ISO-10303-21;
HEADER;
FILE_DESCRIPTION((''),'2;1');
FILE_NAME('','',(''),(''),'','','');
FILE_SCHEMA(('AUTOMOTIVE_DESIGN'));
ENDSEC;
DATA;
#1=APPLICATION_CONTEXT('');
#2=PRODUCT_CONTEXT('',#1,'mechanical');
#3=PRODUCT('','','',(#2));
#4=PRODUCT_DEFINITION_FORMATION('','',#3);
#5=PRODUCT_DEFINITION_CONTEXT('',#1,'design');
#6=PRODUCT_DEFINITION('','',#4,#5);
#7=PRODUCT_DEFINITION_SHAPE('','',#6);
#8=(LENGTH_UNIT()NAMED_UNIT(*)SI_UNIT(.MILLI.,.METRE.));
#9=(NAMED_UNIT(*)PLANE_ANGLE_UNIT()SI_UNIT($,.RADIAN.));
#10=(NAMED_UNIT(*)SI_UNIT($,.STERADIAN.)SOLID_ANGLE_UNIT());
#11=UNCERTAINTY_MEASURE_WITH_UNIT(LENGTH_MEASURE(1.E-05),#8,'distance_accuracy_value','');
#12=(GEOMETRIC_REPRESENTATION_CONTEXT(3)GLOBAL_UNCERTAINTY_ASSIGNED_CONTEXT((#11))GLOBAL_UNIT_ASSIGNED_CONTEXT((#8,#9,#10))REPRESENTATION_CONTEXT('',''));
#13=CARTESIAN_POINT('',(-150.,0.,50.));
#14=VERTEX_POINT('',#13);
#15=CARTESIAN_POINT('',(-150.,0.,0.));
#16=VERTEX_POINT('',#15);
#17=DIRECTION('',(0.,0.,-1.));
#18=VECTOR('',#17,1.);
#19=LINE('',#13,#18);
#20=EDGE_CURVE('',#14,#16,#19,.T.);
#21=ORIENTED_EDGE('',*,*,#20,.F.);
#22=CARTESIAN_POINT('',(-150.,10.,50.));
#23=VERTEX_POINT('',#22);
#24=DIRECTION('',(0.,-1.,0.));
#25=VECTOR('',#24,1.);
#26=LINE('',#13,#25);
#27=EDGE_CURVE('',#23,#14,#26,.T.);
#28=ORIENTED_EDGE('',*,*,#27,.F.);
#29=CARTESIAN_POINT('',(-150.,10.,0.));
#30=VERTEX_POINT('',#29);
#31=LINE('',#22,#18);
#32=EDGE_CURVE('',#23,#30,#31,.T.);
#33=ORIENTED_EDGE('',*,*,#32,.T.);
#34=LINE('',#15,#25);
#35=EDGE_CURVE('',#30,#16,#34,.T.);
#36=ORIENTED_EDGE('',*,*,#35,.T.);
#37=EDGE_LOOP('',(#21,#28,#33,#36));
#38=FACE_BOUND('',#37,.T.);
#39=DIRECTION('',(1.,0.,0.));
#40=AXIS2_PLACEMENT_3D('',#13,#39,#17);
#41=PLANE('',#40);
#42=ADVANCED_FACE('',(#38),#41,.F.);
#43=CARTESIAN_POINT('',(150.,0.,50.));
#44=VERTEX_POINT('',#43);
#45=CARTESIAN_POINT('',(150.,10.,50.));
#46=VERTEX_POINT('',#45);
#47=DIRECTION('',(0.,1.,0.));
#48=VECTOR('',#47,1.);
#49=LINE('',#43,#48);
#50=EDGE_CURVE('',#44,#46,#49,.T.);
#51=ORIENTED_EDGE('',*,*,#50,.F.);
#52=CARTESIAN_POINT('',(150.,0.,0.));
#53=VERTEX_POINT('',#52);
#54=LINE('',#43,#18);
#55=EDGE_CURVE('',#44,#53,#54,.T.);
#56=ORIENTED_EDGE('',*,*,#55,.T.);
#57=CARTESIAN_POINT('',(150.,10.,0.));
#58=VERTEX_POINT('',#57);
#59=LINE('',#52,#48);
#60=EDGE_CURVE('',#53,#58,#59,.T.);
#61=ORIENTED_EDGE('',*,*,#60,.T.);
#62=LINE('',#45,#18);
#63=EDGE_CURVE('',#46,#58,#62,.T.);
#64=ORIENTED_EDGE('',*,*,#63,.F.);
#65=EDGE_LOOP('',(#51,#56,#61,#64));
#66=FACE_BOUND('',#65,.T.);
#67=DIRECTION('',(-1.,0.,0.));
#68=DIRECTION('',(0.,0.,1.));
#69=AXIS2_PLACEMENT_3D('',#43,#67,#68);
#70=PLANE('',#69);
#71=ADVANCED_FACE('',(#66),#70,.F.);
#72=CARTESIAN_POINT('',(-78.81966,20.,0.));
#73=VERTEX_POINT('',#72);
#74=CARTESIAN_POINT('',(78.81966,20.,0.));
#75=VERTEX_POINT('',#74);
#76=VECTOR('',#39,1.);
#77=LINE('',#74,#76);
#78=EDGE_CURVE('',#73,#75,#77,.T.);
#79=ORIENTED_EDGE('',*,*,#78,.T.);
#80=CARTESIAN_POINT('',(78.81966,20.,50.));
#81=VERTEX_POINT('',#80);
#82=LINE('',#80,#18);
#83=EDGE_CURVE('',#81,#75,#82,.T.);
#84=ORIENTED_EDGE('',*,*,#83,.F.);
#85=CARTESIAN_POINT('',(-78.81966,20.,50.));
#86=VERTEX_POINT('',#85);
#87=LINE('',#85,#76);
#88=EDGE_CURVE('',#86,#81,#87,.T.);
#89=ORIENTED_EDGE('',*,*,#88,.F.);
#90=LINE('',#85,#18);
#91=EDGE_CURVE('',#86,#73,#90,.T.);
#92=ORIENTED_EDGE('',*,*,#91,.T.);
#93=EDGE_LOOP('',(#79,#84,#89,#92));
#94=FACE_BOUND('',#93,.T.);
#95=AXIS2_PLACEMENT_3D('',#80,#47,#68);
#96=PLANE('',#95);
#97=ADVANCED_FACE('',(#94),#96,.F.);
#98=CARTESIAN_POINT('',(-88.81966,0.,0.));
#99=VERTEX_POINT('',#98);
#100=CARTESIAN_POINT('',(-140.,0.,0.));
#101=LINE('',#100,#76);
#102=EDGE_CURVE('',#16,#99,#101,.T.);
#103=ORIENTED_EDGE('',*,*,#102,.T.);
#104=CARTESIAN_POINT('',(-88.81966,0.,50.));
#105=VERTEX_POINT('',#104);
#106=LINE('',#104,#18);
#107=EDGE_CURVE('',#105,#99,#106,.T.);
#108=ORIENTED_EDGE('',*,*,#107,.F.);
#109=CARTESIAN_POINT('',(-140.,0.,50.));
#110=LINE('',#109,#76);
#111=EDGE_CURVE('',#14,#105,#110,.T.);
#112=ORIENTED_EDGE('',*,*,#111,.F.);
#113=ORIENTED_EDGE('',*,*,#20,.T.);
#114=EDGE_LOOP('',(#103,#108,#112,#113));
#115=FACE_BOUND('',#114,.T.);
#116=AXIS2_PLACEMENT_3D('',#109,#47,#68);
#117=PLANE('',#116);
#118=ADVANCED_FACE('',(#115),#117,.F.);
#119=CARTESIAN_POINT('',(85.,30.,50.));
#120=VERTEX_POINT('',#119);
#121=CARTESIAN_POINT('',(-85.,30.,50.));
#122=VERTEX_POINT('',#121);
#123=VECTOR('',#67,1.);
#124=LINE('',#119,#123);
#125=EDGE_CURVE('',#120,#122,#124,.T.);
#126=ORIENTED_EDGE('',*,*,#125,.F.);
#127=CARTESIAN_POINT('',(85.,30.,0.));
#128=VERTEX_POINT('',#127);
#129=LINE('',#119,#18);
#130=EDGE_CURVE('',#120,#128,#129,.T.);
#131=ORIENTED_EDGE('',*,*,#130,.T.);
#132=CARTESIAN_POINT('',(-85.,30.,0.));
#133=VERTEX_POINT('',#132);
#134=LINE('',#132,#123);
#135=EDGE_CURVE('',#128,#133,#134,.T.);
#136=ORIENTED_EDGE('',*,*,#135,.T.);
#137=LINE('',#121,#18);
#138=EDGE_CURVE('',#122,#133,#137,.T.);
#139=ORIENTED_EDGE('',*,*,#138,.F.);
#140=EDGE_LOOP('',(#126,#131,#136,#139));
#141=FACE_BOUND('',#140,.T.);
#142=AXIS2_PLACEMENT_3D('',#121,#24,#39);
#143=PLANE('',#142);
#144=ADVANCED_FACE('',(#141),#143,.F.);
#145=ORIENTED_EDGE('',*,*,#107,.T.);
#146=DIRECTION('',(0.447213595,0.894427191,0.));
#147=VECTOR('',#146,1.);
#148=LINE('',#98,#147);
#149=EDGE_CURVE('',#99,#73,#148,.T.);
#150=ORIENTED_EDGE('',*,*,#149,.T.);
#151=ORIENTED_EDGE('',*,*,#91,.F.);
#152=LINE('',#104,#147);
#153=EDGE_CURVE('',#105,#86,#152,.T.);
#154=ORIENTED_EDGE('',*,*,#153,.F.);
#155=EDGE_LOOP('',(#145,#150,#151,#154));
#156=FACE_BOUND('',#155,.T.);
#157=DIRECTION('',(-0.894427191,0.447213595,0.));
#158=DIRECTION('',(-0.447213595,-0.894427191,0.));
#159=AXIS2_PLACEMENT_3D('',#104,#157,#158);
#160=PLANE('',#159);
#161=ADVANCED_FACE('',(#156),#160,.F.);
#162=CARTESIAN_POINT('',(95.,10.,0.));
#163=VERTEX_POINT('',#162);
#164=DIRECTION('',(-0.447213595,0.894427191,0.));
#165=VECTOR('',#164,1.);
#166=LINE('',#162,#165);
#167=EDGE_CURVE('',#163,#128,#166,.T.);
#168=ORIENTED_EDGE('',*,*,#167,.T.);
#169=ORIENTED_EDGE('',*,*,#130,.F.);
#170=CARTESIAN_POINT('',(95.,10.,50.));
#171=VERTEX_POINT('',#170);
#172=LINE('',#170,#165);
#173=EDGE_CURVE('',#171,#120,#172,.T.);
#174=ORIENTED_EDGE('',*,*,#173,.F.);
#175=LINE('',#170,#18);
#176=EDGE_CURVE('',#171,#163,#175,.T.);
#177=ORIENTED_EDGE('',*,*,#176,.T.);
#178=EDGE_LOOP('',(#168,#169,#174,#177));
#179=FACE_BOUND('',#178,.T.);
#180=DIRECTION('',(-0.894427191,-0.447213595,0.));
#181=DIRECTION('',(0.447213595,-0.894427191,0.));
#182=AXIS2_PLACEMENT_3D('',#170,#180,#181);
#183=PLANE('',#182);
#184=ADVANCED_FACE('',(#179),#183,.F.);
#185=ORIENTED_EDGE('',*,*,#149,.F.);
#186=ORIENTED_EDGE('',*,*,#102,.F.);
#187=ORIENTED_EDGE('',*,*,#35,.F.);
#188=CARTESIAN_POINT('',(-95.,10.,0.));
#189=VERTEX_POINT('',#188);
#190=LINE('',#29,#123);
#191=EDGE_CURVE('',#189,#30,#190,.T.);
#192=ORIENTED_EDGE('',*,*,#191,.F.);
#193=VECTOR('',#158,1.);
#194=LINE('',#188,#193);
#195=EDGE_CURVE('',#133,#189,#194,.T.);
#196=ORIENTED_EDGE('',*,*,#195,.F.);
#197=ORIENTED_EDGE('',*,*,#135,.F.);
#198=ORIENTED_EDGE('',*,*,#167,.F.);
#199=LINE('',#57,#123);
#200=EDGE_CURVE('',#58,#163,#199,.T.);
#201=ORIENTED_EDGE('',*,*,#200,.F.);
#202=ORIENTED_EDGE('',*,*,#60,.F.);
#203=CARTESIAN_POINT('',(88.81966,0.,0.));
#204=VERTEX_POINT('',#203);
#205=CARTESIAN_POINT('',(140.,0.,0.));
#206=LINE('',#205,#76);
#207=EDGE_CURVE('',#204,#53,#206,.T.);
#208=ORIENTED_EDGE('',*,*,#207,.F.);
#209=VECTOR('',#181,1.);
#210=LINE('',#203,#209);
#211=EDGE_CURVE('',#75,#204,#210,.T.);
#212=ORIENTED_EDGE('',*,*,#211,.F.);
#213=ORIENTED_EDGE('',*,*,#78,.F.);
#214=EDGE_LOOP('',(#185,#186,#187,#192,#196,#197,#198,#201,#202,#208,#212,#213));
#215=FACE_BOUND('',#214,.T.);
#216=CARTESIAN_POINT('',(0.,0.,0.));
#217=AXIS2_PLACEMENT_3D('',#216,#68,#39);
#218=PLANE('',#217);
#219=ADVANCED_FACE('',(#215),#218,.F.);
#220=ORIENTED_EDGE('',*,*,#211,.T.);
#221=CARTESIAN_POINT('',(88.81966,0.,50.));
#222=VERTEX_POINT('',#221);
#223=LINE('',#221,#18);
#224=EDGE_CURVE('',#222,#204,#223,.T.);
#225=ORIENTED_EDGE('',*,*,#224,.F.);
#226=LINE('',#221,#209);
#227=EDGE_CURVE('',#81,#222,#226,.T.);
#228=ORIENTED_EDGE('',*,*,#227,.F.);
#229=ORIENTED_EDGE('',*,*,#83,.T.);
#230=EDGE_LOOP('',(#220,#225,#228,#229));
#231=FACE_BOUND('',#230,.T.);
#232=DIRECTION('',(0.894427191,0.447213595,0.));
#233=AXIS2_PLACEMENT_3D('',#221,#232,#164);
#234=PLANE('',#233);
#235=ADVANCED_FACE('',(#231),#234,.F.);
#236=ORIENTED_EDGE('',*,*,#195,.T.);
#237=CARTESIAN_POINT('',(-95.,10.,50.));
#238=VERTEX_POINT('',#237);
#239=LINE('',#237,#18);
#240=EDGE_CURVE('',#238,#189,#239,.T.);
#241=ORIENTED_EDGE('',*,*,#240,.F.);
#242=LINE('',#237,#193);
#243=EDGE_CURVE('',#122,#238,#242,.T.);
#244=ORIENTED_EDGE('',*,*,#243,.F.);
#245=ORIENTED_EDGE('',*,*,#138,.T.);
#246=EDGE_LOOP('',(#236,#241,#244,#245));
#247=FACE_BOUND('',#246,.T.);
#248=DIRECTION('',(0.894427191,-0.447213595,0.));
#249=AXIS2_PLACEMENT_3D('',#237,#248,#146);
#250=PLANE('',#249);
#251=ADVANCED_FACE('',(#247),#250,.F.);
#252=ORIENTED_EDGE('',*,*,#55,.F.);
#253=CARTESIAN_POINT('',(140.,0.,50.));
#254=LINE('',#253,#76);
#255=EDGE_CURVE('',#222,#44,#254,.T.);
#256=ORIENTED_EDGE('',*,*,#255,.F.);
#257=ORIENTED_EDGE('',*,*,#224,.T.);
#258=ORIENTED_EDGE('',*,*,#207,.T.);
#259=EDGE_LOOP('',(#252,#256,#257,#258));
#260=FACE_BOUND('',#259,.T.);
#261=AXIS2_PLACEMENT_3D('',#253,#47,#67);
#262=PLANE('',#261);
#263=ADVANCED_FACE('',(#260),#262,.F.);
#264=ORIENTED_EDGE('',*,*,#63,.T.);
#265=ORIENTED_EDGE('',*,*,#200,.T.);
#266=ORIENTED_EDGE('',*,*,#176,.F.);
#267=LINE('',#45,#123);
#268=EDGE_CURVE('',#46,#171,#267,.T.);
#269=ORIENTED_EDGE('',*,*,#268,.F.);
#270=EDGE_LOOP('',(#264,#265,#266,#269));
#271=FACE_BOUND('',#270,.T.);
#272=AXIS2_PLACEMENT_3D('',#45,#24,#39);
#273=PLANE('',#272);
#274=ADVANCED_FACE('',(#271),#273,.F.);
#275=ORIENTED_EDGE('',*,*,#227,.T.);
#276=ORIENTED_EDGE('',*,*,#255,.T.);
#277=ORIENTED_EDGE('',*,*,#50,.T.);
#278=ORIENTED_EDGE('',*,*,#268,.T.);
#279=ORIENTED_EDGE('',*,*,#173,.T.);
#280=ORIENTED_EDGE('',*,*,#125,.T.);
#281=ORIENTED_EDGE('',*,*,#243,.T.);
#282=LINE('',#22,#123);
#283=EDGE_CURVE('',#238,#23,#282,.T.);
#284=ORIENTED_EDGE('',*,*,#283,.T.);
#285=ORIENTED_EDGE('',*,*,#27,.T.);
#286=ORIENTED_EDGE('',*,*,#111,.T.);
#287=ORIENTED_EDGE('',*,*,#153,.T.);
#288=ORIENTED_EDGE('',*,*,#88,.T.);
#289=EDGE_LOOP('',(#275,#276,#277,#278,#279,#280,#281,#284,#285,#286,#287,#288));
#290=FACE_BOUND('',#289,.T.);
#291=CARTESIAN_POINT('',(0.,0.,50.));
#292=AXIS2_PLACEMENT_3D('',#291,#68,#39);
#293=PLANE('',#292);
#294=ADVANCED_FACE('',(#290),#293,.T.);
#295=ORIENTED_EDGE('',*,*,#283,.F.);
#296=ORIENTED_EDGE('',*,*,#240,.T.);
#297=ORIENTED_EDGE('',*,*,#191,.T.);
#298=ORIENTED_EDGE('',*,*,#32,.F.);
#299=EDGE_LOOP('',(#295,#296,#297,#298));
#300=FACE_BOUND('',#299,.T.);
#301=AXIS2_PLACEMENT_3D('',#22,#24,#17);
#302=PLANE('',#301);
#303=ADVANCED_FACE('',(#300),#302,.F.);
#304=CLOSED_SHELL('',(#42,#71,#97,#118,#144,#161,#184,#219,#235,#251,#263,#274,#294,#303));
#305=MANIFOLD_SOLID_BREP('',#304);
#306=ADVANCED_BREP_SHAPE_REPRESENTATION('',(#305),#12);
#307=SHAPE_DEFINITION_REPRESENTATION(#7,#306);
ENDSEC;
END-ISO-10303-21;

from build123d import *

# Parameters (mm, degrees)
BOSS_EXTRUDE1_DEPTH = 50


with BuildPart() as part:
    # Sketch1 → Boss-Extrude1 (new body)
    with BuildSketch(Plane.XY):
        Polygon((-150, 0), (-150, 10), (-95, 10), (-85, 30), (0, 30), (85, 30), (95, 10), (150, 10), (150, 0), (140, 0), (88.819660113, 0), (78.819660113, 20), (0, 20), (-78.819660113, 20), (-88.819660113, 0), (-140, 0), align=None)
    extrude(amount=BOSS_EXTRUDE1_DEPTH)


solid = part.part
